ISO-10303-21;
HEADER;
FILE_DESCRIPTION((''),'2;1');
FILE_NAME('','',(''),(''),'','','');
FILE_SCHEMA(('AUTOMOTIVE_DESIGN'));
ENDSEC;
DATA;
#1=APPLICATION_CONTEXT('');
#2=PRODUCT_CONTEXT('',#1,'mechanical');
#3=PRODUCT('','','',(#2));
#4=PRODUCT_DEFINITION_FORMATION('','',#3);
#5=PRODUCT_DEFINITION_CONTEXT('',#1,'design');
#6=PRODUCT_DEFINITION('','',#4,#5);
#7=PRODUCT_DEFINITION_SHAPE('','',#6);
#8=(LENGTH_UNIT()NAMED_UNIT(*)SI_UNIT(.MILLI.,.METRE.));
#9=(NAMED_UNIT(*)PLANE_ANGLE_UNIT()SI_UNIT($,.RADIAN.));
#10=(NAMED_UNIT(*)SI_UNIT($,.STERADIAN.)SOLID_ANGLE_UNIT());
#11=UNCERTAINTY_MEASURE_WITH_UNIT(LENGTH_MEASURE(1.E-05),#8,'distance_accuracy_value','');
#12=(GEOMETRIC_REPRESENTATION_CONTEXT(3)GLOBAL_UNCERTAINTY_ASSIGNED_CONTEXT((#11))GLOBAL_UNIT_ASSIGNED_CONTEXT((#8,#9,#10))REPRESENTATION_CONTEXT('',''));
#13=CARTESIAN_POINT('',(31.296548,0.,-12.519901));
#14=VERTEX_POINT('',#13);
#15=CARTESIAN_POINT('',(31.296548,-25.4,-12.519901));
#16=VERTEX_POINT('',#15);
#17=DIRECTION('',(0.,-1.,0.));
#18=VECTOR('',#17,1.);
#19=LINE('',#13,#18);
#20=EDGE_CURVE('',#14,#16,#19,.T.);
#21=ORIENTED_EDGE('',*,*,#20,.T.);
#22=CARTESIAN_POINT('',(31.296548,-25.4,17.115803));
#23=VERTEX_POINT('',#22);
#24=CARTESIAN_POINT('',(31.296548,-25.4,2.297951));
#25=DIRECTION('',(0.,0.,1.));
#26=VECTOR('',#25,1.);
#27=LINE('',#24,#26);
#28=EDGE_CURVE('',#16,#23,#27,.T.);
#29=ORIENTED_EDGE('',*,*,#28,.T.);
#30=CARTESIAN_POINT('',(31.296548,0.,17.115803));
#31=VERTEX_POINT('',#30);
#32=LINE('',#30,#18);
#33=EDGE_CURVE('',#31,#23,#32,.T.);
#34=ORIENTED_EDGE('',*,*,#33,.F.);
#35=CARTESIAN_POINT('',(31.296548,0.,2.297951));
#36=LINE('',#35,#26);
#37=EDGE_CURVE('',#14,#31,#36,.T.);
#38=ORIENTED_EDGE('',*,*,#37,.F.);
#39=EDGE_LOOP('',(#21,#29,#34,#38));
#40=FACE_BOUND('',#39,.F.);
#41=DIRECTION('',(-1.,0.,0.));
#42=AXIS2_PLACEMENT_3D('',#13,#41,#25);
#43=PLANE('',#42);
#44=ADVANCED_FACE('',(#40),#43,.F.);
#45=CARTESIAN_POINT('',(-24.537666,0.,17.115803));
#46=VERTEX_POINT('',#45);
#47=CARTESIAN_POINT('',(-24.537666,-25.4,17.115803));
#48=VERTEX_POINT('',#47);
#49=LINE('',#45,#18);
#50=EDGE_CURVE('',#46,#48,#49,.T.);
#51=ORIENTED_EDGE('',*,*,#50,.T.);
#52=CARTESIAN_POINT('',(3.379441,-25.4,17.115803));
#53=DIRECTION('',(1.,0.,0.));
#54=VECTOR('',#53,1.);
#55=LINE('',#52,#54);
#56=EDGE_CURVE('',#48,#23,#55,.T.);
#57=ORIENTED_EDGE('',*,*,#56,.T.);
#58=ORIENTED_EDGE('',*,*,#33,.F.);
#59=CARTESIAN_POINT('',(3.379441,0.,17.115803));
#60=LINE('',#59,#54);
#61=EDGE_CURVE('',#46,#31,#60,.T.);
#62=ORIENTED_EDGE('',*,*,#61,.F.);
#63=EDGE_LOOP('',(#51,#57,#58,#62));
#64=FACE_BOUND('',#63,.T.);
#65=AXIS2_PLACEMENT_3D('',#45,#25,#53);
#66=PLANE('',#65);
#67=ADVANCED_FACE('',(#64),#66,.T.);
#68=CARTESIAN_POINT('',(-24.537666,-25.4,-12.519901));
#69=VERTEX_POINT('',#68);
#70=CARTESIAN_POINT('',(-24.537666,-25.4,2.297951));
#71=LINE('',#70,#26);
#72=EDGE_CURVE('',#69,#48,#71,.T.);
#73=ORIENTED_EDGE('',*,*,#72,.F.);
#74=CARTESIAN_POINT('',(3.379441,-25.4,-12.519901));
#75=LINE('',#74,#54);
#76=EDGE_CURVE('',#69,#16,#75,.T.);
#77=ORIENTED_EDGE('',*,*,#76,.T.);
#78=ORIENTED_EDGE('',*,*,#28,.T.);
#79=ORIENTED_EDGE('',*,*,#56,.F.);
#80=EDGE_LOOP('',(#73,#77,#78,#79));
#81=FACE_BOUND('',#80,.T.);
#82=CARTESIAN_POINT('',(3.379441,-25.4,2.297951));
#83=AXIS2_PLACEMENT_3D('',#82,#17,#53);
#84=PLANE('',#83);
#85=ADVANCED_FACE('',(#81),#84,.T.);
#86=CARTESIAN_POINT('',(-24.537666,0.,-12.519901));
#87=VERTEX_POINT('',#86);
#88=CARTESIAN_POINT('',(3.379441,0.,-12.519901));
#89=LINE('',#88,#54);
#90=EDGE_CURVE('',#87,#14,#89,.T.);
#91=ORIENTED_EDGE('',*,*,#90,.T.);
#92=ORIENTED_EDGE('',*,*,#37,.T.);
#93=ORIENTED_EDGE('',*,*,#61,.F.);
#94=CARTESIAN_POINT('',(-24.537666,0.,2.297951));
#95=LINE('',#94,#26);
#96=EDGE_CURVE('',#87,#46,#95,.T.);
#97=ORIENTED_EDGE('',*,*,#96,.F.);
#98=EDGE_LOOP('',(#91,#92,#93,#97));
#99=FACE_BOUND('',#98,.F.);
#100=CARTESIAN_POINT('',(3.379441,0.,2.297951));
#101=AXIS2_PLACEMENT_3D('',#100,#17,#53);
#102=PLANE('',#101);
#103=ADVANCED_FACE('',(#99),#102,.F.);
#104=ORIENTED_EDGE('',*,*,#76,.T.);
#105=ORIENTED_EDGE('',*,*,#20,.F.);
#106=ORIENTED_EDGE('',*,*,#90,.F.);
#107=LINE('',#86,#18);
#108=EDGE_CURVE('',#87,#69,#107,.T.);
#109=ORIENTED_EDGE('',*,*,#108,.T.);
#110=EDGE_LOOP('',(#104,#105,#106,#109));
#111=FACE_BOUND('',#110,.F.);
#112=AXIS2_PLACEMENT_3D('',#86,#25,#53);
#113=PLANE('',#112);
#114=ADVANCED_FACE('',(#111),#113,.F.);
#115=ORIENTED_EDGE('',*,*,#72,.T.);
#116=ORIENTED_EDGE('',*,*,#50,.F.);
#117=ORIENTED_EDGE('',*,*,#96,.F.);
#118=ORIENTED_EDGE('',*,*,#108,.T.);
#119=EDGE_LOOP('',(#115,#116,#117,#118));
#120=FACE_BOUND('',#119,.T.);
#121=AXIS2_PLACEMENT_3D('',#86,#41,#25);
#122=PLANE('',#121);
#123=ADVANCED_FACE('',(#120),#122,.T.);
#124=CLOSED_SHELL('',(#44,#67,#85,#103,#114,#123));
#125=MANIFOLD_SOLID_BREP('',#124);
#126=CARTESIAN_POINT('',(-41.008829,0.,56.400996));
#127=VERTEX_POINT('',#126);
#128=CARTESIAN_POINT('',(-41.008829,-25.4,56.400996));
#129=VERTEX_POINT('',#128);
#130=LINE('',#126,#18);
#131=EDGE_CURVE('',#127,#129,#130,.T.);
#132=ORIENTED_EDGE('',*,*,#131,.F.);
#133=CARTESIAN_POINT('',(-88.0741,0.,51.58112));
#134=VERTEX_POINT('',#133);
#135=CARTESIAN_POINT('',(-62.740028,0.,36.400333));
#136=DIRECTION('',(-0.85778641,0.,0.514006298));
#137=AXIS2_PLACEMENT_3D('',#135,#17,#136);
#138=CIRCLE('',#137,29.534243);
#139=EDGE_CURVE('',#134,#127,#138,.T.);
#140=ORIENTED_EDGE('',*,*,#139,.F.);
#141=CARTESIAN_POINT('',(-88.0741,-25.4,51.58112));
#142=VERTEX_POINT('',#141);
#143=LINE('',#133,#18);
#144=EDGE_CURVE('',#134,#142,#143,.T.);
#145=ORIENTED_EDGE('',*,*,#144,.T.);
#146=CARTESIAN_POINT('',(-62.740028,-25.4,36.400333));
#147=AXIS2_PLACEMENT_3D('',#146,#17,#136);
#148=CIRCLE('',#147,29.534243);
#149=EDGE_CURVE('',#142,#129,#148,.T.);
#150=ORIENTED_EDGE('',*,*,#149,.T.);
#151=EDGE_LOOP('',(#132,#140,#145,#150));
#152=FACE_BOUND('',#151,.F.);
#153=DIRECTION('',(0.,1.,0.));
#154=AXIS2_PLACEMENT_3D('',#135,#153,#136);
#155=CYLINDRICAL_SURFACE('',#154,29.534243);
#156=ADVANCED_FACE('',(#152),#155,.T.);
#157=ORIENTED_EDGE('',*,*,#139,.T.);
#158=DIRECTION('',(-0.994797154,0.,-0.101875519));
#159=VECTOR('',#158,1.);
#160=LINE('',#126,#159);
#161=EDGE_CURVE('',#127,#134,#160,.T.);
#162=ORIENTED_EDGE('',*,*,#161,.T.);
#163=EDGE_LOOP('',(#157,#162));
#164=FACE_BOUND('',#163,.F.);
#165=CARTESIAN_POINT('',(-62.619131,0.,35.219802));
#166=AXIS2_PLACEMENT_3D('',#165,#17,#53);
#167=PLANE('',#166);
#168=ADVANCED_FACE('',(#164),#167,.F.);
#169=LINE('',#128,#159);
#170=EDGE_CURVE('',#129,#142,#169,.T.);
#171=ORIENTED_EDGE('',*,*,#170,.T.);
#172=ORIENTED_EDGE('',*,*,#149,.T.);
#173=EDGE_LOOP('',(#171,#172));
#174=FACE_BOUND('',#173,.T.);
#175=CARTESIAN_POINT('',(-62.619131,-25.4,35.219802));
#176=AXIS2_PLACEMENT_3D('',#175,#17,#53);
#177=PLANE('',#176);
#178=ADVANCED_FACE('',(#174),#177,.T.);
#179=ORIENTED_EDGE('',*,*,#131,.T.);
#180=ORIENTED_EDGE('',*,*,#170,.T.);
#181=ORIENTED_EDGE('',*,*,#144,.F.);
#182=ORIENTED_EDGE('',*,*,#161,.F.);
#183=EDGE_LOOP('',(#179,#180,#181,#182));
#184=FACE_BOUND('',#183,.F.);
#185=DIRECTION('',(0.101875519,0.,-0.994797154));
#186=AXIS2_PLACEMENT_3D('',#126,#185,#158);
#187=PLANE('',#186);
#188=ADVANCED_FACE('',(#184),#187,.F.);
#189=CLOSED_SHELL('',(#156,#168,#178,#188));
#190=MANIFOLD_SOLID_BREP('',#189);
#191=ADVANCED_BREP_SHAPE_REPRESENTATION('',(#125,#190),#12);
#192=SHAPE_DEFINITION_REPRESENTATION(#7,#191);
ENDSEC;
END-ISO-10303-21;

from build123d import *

# Parameters (mm, degrees)
F0_W     = 55.834214
F0_H     = 29.635703
F1_DEPTH = 25.4


with BuildPart() as f1:
    # F0 (on Front) → F1 (new body)
    with BuildSketch(Plane.XZ):
        with BuildLine():
            Line((-41.008829, 56.400996), (-88.0741, 51.58112))
            ThreePointArc((-88.0741, 51.58112), (-59.731212, 7.019752), (-41.008829, 56.400996))
        make_face()
        with Locations((3.379441, 2.297951)):
            Rectangle(F0_W, F0_H)
    extrude(amount=F1_DEPTH)


solid = f1.part
